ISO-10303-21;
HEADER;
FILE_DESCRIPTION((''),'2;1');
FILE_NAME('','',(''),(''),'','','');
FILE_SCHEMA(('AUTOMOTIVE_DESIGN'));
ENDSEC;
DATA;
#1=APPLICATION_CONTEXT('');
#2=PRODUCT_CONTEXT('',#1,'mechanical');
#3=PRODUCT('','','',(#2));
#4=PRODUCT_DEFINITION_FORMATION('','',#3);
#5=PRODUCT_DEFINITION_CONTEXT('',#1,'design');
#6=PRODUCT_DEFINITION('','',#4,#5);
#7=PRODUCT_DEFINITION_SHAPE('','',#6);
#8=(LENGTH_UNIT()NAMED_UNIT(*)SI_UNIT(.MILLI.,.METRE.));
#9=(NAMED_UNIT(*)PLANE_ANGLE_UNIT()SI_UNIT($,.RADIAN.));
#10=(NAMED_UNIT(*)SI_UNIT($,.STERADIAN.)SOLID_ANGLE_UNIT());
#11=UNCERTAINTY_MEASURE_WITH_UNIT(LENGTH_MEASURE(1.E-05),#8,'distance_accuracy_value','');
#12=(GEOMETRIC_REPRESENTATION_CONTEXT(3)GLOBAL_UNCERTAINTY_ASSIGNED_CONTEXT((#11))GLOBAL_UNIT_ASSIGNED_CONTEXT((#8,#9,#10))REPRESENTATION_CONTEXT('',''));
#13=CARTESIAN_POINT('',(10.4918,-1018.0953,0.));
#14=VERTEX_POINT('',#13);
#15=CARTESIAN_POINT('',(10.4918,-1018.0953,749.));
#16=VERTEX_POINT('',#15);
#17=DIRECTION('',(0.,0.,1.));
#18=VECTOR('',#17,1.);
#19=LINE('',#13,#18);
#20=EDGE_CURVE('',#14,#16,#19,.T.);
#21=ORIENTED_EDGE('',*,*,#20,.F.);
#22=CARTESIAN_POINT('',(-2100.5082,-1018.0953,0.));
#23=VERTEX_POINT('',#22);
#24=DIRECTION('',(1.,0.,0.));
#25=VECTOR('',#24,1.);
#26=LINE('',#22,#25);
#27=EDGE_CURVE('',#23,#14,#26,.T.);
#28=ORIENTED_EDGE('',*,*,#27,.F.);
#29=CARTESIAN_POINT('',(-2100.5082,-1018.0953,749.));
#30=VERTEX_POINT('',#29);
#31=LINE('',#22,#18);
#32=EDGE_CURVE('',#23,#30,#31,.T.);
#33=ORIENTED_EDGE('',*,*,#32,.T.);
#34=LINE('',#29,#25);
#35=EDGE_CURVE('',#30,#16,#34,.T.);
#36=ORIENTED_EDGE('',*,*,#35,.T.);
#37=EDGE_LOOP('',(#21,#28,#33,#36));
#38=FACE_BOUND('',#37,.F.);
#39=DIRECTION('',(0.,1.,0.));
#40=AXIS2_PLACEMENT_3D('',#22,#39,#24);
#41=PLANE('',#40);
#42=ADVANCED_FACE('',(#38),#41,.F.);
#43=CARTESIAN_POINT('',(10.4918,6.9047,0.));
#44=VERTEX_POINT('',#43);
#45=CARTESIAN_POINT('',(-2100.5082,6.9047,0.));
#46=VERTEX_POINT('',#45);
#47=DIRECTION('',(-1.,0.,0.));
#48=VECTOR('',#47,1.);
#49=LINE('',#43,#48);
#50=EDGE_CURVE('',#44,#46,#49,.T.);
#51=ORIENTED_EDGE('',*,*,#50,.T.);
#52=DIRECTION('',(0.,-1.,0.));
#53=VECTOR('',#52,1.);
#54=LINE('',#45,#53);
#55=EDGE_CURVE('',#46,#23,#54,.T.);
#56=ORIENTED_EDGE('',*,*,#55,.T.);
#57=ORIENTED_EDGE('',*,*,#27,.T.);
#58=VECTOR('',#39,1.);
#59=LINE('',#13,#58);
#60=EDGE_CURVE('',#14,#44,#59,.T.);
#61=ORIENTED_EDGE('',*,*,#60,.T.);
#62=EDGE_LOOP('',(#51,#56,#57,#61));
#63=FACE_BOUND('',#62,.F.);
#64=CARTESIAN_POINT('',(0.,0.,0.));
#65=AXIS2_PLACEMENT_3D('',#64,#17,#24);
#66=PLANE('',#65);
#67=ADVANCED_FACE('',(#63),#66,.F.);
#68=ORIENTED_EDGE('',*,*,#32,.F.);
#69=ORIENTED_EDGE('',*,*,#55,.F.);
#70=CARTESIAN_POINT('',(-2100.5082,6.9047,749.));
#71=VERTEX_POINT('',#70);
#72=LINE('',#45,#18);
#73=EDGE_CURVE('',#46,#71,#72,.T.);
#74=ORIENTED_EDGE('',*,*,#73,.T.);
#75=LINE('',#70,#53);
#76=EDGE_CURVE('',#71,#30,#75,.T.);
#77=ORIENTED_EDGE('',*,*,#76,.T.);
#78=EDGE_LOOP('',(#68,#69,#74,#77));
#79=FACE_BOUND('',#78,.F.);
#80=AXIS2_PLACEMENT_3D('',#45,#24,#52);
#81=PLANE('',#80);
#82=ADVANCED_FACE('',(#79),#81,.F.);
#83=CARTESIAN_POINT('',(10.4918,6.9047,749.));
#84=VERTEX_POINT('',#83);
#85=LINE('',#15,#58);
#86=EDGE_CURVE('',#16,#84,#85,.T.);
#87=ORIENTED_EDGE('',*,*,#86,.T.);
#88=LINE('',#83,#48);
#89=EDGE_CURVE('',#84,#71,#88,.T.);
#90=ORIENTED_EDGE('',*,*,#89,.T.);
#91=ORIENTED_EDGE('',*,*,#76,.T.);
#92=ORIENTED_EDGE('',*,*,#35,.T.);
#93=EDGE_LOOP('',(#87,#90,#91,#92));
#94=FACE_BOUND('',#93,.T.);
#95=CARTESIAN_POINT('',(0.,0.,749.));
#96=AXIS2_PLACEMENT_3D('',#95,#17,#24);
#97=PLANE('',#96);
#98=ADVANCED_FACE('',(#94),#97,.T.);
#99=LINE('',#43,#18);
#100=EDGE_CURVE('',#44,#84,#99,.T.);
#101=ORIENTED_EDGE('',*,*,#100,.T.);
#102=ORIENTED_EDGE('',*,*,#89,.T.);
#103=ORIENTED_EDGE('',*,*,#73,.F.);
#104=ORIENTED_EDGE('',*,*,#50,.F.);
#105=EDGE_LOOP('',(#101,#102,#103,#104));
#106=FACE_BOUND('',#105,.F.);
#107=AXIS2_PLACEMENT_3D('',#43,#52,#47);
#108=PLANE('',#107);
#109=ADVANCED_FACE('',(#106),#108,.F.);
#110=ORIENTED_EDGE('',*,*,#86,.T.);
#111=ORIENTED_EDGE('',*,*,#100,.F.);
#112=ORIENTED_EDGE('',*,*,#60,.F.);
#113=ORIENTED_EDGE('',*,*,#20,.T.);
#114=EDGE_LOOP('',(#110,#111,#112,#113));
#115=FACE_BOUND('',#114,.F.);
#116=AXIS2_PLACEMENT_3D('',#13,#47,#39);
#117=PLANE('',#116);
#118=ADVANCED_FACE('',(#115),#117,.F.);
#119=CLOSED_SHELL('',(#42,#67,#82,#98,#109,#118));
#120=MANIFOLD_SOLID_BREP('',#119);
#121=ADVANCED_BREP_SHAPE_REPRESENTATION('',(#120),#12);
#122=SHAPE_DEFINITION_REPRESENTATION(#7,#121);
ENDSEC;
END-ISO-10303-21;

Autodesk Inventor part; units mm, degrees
ref_plane "YZ Plane" through (0, 0, 0) normal (1, 0, 0) x (0, 1, 0)
ref_plane "XZ Plane" through (0, 0, 0) normal (0, 1, 0) x (-1, 0, 0)
ref_plane "XY Plane" through (0, 0, 0) normal (0, 0, 1) x (1, 0, 0)
sketch "Sketch1" plane through (0, 0, 0) normal (0, 0, 1) x (1, 0, 0)
  line L0 (-2100.5082, -1018.0953) -> (10.4918, -1018.0953)
  line L1 (10.4918, -1018.0953) -> (10.4918, 6.9047)
  line L2 (10.4918, 6.9047) -> (-2100.5082, 6.9047)
  line L3 (-2100.5082, 6.9047) -> (-2100.5082, -1018.0953)
  point P0 (0, 0)
  dimension "Largo" = 2111
  dimension "alto" = 1025
extrude "Extrusion1" add sketch "Sketch1" along normal blind 749
equation "\"Largo\" = UE_L"
equation "\"alto\" = UE_A"
equation "\"Ancho\" = UE_AN"
equation "\"UE_L\" = 2111"
equation "\"UE_A\" = 1025"
equation "\"UE_AN\" = 749"
equation "\"PE_N\" = 50.8"
equation "\"PE_S\" = 50.8"
equation "\"PE_EO\" = 50.8"
equation "\"T_E\" = 50.8"
equation "\"lon_ve\" = 512.5"
equation "\"n_a\" = 3"
equation "\"t_a\" = 19.05"
equation "\"d_a\" = 128.125"
equation "\"lon_ho\" = 749"
equation "\"d_bor\" = 59.92"
equation "\"lon_gui\" = 187.25"
equation "\"esp_gui\" = 461.25"
equation "\"lon_ve2\" = 498.475"
equation "\"n_a2\" = 3"
equation "\"t_a2\" = 124.61875"
equation "\"d_a2\" = 124.61875"
equation "\"lon_ho2\" = 933.45"
equation "\"d_bor2\" = 74.676"
equation "\"lon_gui2\" = 233.3625"
equation "\"esp_gui2\" = 448.6275"
equation "\"UC_L\" = 1314.45"
equation "\"UC_A\" = 996.95"
equation "\"UC_AN\" = 933.45"
equation "\"A_ET\" = 35"
equation "\"SEP_NS\" = 0"
equation "\"DSEG\" = 0"
equation "\"AEGEP_NS\" = 0"
equation "\"DNS\" = 749"
properties part number "Evaporadora"
